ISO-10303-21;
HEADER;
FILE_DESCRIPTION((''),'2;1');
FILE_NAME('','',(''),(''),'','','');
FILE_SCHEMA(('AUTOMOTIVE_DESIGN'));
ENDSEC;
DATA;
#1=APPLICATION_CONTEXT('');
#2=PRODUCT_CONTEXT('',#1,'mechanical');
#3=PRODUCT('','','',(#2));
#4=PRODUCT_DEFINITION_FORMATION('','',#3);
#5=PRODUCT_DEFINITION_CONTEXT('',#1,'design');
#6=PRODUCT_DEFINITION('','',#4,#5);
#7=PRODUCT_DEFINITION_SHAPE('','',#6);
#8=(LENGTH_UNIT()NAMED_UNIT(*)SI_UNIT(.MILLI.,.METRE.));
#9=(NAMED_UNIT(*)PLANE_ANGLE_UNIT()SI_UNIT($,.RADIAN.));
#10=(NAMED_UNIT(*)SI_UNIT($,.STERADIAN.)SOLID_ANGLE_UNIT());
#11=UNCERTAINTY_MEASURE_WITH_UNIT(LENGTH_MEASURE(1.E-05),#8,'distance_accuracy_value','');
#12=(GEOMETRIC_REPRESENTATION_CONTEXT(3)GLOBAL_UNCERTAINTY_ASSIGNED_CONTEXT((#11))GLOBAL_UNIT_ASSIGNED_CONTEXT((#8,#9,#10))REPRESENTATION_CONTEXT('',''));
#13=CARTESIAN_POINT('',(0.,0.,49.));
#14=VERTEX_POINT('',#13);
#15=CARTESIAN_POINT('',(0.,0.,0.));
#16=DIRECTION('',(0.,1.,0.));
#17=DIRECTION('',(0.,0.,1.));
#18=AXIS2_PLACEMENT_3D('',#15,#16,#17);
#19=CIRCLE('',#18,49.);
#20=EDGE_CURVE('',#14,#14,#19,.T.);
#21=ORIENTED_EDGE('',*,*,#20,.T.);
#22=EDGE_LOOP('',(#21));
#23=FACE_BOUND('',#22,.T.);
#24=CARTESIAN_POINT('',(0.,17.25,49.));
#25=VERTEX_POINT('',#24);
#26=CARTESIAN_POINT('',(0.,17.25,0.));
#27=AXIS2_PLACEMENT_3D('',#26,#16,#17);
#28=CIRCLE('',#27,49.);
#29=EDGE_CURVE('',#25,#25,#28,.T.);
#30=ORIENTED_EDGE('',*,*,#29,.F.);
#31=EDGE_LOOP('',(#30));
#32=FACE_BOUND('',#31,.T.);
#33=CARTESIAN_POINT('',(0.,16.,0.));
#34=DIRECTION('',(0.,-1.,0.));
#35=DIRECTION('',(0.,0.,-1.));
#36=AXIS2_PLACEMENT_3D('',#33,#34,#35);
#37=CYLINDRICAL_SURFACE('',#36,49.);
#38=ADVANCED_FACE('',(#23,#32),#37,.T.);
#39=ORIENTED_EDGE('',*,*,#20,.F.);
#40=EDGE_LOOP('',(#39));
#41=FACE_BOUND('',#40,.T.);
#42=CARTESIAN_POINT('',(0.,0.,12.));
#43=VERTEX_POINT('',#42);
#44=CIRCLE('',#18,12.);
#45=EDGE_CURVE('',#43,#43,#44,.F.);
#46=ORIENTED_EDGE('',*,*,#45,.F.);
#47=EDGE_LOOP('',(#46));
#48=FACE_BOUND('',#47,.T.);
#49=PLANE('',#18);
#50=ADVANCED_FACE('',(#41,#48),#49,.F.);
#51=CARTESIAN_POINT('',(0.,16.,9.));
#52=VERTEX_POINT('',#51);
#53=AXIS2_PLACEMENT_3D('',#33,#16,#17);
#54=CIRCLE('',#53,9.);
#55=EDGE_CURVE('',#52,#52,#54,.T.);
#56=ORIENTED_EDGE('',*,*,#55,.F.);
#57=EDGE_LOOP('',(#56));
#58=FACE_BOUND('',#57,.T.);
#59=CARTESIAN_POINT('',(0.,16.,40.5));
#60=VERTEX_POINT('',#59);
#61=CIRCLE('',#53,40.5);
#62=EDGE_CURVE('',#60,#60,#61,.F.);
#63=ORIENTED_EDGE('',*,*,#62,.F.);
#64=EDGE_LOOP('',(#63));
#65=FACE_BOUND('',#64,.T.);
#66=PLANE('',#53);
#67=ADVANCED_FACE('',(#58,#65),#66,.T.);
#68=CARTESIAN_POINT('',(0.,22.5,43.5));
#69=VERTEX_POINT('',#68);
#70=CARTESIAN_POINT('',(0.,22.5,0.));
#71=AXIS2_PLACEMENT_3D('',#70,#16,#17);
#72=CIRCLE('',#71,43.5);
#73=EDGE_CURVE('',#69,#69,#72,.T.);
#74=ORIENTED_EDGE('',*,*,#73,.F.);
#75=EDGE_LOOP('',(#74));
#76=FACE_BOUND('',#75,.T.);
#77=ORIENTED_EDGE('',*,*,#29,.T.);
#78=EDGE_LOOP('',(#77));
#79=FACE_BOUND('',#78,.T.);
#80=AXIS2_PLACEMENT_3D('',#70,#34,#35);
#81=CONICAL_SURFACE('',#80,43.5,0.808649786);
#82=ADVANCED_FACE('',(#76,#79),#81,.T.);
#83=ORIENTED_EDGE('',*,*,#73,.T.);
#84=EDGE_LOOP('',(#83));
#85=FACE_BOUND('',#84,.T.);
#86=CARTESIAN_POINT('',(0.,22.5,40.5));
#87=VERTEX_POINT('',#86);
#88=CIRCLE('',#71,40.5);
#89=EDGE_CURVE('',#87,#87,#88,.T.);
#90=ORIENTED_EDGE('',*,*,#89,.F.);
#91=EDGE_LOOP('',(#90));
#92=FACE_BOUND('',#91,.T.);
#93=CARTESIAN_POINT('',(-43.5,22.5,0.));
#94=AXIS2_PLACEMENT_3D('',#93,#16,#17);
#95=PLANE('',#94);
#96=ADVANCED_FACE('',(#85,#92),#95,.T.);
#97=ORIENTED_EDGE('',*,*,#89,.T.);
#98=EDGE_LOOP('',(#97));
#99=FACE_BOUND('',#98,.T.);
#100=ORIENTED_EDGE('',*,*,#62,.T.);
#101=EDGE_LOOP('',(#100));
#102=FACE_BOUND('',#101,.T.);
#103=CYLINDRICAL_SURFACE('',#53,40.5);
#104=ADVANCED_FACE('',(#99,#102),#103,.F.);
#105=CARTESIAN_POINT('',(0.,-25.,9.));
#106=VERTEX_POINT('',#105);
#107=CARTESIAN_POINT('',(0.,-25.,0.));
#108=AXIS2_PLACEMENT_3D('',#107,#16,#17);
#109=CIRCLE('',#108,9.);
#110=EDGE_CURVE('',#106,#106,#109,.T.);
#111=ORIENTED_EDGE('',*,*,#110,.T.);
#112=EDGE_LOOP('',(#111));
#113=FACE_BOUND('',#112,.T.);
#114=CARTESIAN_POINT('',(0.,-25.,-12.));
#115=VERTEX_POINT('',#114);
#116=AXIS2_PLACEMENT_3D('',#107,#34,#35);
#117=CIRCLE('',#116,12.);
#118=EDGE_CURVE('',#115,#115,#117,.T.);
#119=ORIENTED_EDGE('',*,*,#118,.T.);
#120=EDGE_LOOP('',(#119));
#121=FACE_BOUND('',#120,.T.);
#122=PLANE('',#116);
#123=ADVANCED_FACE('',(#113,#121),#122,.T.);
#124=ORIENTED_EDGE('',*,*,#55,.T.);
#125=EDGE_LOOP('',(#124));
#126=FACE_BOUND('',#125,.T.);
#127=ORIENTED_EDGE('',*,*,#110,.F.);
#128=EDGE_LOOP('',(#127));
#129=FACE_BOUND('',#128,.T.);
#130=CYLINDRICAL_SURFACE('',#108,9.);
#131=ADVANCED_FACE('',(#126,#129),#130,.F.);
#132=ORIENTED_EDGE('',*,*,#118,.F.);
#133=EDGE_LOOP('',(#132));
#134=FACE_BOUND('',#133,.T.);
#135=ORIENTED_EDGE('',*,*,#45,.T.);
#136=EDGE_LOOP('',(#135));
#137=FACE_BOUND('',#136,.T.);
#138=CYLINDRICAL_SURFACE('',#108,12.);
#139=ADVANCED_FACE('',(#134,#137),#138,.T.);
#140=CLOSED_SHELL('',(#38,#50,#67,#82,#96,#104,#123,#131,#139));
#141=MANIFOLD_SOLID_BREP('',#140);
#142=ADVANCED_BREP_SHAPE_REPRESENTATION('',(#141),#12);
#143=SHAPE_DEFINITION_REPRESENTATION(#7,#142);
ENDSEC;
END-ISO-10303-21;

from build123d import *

# Parameters (mm, degrees)
SKETCH1_R           = 49
BOSS_EXTRUDE1_DEPTH = 16
SKETCH3_R           = 12
BOSS_EXTRUDE2_DEPTH = 25
SKETCH4_R           = 9
CUT_EXTRUDE1_DEPTH  = 42


with BuildPart() as part:
    # Sketch1 → Boss-Extrude1 (new body)
    with BuildSketch(Plane(origin=(0, 0, 0), x_dir=(1, 0, 0), z_dir=(0, 1, 0))):
        Circle(SKETCH1_R)
    extrude(amount=BOSS_EXTRUDE1_DEPTH)

    # Sketch2 → Revolve1 (revolve)
    with BuildSketch(Plane.XY):
        Polygon((-43.5, 22.5), (-40.5, 22.5), (-40.5, 16), (-49, 16), (-49, 17.25), align=None)
    revolve(axis=Axis((0, 16, 0), (0, -1, 0)))

    # Sketch3 → Boss-Extrude2 (add)
    with BuildSketch(Plane.XZ):
        Circle(SKETCH3_R)
    extrude(amount=BOSS_EXTRUDE2_DEPTH)

    # Sketch4 → Cut-Extrude1 (cut, through all)
    with BuildSketch(Plane(origin=(0, 16, 0), x_dir=(1, 0, 0), z_dir=(0, 1, 0))):
        Circle(SKETCH4_R)
    extrude(amount=-CUT_EXTRUDE1_DEPTH, mode=Mode.SUBTRACT)


solid = part.part
